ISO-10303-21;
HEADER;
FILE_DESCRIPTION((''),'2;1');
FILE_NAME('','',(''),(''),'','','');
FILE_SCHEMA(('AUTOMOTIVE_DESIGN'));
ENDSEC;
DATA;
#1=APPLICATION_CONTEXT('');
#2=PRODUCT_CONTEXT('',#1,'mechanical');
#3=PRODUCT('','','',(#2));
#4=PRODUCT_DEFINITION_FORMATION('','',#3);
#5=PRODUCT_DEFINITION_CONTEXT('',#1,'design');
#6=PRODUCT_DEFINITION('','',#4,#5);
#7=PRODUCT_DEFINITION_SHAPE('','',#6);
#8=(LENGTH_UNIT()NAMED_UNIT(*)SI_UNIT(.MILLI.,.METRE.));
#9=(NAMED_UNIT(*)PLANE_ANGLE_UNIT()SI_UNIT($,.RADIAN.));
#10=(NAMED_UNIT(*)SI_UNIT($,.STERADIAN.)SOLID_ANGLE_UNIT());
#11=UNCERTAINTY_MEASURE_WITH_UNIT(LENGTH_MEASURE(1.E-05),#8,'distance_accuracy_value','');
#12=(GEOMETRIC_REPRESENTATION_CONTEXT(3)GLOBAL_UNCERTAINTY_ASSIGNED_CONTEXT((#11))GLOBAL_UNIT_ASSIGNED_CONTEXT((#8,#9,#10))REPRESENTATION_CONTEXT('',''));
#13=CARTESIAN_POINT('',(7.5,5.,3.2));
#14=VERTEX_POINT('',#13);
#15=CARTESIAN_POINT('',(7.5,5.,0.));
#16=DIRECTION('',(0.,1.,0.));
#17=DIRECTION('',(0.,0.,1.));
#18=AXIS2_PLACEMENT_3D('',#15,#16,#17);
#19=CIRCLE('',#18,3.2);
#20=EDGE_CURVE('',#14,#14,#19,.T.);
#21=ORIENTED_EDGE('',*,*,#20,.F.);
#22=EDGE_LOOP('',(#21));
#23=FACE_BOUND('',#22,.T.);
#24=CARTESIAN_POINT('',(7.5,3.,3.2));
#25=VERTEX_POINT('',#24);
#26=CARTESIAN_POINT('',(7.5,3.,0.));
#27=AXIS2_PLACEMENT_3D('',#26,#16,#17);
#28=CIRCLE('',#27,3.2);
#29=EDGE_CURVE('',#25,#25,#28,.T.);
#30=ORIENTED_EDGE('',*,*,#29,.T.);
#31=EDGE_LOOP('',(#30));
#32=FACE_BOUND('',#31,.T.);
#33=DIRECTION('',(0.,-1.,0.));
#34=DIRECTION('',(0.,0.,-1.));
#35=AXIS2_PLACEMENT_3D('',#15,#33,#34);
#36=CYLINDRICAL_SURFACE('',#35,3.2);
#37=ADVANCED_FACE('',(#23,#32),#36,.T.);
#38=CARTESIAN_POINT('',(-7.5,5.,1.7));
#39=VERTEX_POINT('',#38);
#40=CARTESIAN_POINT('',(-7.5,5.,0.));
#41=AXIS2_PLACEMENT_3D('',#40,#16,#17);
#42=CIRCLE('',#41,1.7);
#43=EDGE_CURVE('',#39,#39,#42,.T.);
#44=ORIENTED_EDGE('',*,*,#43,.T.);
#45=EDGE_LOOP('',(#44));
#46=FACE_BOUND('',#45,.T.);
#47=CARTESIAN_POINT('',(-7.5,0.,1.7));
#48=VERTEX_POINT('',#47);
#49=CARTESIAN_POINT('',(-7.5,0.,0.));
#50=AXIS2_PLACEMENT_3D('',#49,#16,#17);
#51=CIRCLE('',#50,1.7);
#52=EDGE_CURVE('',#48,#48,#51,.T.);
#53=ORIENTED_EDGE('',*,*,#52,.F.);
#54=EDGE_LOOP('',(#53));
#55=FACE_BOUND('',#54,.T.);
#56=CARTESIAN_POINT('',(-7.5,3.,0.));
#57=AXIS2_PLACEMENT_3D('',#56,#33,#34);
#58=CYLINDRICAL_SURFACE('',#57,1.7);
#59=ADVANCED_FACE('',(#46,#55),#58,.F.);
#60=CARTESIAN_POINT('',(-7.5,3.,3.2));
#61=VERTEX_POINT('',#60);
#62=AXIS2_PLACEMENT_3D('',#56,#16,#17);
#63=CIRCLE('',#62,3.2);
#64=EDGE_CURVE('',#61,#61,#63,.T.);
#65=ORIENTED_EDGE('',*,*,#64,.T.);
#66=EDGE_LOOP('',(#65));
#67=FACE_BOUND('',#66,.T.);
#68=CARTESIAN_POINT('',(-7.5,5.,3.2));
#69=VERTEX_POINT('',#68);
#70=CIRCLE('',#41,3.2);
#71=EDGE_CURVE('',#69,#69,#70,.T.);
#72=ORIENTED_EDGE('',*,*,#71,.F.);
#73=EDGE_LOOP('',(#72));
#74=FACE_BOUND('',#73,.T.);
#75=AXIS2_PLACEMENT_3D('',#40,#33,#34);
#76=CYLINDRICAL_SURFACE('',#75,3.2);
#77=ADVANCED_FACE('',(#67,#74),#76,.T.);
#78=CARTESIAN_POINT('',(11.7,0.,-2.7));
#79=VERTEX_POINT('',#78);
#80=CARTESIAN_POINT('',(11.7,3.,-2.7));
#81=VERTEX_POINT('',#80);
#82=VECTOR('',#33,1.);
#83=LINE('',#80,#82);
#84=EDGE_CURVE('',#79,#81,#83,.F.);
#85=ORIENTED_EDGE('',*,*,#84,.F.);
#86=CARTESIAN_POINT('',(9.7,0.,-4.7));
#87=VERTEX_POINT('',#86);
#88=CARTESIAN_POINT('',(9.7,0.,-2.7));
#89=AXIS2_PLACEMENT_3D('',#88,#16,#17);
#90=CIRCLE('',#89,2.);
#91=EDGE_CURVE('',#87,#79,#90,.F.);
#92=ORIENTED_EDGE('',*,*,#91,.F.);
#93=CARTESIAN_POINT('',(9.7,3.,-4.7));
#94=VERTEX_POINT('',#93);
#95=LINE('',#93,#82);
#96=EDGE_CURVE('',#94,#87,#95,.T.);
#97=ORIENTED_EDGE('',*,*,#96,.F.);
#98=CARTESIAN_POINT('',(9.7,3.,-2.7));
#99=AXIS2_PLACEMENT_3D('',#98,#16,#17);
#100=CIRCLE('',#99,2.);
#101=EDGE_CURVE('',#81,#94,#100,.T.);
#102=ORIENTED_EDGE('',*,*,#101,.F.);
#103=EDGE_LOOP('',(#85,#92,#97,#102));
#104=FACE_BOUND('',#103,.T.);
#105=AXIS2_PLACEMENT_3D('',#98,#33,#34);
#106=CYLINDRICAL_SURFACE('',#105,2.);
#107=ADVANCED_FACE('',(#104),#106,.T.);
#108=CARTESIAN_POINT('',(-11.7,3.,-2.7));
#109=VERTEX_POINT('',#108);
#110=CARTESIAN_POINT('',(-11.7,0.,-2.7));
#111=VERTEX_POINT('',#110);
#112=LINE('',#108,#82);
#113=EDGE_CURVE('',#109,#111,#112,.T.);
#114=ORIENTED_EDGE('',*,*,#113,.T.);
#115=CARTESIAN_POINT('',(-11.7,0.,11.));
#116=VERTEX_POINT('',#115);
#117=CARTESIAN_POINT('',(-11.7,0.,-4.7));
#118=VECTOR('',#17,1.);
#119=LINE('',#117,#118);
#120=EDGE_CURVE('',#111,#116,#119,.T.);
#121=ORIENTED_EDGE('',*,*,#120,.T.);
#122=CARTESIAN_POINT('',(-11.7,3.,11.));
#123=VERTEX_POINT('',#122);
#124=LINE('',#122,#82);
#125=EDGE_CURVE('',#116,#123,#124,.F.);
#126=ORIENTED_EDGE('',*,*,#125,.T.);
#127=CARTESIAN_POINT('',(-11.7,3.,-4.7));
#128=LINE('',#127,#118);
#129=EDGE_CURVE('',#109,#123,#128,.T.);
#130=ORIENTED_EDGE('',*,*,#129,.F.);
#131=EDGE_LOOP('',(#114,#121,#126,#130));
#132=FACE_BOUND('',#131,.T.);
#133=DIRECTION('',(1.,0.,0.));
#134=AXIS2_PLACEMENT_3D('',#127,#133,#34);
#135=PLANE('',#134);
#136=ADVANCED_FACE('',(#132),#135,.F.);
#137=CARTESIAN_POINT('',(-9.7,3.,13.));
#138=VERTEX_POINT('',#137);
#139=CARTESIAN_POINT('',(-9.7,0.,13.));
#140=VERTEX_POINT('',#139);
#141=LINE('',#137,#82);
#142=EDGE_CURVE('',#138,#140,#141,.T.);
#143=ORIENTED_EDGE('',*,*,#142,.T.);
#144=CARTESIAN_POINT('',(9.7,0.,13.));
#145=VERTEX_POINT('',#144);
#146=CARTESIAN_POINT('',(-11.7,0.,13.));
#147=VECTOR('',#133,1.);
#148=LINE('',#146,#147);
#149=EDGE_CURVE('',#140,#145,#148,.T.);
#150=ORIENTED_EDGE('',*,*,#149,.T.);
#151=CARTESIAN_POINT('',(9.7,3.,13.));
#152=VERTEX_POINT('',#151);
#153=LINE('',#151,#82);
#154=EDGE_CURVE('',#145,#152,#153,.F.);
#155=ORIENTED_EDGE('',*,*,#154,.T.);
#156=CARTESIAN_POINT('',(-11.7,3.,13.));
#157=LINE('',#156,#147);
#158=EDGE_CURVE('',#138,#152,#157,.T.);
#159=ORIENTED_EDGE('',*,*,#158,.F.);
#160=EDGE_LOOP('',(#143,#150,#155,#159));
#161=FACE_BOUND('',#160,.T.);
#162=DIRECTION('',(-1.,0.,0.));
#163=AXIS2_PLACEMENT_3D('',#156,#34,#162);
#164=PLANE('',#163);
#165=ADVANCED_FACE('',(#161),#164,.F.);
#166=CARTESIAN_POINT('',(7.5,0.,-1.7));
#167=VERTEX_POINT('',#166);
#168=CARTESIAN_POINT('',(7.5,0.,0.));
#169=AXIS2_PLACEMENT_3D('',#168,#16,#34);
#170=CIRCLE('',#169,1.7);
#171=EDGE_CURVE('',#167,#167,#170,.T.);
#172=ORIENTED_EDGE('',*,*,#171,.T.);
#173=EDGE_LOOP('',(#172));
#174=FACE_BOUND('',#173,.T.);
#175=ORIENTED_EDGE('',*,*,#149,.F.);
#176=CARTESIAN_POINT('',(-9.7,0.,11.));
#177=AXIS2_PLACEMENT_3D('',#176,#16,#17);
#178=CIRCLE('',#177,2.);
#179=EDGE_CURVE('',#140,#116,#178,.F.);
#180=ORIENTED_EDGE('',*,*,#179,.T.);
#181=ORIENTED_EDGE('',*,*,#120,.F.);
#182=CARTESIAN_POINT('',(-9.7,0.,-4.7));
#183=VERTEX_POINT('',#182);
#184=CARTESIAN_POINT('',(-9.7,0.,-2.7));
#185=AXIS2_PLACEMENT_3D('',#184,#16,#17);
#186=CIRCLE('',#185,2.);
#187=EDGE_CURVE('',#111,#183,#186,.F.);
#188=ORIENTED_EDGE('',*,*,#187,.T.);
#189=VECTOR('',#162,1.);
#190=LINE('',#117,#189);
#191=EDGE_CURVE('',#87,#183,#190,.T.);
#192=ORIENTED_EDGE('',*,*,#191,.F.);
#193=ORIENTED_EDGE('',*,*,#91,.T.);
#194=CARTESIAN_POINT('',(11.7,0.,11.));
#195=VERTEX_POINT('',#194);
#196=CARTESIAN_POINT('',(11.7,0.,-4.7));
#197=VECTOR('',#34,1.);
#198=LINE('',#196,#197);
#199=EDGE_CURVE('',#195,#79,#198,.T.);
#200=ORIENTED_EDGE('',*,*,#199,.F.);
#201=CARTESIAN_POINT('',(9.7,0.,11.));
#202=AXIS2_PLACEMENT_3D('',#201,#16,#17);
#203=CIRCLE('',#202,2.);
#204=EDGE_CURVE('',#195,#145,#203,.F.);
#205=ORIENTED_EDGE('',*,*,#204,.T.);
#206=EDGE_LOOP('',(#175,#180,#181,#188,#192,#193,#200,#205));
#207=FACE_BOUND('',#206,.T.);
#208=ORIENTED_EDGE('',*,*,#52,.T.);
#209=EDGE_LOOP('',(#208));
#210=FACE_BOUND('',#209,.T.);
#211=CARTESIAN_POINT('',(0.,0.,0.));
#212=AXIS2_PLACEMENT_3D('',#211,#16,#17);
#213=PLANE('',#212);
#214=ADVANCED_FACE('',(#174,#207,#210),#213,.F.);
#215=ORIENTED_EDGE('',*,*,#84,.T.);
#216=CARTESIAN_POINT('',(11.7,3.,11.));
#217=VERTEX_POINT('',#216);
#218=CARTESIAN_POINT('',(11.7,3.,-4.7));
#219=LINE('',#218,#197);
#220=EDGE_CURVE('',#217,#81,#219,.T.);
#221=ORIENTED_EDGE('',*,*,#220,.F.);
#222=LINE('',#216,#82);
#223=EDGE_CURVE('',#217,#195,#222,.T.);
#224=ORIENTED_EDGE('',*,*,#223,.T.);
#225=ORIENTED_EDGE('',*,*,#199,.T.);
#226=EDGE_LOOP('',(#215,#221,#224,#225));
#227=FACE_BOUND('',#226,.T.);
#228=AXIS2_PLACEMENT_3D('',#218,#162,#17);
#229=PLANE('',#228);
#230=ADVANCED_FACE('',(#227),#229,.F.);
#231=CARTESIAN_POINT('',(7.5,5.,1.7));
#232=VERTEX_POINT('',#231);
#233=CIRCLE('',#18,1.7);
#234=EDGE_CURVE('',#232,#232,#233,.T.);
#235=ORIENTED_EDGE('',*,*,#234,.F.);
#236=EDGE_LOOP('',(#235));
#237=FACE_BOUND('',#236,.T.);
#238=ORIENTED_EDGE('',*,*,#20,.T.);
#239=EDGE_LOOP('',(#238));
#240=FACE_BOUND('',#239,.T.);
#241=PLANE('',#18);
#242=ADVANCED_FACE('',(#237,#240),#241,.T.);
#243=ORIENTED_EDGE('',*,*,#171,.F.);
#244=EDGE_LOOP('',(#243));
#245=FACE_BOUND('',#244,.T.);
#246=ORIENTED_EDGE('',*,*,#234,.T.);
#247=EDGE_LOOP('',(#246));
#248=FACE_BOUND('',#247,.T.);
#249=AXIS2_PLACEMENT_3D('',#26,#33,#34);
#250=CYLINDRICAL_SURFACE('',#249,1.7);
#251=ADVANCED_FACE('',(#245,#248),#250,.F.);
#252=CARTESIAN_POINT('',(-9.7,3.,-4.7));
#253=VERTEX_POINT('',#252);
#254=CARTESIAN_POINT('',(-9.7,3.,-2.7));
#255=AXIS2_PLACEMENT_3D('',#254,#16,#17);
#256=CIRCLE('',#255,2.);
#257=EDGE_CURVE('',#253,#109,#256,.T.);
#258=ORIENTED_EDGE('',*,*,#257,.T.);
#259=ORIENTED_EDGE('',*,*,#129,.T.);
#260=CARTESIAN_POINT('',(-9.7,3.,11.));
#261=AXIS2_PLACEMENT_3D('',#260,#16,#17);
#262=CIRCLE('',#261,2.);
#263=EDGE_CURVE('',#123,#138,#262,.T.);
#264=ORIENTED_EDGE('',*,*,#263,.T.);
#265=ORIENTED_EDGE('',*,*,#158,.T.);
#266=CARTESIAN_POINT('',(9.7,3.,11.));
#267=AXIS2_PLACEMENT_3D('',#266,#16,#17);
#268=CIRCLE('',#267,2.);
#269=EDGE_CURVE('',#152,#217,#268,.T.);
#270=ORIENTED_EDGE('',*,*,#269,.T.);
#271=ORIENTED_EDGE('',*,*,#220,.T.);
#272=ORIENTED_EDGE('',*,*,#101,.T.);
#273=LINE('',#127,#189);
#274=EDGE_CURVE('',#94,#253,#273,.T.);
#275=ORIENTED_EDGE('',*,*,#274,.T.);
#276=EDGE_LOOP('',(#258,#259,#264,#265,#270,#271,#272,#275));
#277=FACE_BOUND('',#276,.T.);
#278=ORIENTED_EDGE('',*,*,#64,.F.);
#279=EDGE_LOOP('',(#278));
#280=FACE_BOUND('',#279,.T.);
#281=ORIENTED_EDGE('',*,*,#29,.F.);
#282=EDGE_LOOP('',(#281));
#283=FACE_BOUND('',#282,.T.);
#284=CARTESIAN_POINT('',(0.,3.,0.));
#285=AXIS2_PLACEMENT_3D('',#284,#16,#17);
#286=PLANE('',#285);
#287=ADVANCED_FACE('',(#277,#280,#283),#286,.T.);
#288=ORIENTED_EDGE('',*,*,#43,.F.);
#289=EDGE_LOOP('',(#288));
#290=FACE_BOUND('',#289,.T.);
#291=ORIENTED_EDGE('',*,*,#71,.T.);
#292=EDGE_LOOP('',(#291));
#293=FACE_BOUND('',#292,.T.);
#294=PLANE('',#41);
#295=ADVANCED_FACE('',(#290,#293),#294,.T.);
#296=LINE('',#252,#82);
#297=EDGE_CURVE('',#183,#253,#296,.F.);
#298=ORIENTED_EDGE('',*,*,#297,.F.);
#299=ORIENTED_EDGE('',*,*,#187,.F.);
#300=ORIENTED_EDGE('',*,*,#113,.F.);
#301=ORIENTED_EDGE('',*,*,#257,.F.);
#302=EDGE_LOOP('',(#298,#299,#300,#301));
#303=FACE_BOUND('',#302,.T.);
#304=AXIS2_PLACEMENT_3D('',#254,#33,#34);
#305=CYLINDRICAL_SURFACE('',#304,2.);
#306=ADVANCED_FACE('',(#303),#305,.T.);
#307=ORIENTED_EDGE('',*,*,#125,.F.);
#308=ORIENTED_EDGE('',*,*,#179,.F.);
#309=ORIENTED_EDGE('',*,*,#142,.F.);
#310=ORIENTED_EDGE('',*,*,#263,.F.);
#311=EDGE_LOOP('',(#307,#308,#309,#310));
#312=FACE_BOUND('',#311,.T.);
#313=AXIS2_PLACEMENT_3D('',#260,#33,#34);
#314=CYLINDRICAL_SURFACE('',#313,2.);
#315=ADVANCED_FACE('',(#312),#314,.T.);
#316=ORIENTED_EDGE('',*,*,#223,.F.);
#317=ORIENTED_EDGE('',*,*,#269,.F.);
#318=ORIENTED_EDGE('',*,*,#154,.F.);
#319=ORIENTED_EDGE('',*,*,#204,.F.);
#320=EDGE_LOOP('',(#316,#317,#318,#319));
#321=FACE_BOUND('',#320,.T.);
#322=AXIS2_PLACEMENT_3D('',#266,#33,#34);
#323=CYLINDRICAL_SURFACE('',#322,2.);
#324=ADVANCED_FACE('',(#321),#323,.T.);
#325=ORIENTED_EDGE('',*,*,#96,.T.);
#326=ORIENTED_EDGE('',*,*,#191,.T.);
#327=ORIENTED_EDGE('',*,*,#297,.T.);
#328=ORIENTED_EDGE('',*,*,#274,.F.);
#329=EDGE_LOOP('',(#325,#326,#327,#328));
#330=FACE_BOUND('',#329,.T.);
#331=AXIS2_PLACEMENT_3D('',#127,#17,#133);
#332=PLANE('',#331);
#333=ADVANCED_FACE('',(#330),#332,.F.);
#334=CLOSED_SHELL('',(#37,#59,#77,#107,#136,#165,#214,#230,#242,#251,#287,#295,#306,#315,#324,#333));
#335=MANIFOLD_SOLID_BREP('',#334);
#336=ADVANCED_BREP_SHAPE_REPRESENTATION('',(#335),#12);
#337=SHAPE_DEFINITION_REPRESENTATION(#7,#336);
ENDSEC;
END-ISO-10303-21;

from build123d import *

# Parameters (mm, degrees)
SKETCH_1_W      = 23.4
SKETCH_1_H      = 17.7
SKETCH_1_R      = 1.7
EXTRUDE_1_DEPTH = 3
SKETCH_2_R      = 3.2
SKETCH_2_R_2    = 1.7
EXTRUDE_2_DEPTH = 2
FILLET_1_R      = 2


with BuildPart() as part:
    # Эскиз1 → Бобышка-Вытянуть1 (new body)
    with BuildSketch(Plane(origin=(0, 0, 0), x_dir=(1, 0, 0), z_dir=(0, 1, 0))):
        with Locations((0, -4.15)):
            Rectangle(SKETCH_1_W, SKETCH_1_H)
        with Locations(Location((-7.5, 0, 0), (0, 0, 270))):
            Circle(SKETCH_1_R, mode=Mode.SUBTRACT)
        with Locations(Location((7.5, 0, 0), (0, 0, 90))):
            Circle(SKETCH_1_R, mode=Mode.SUBTRACT)
    extrude(amount=EXTRUDE_1_DEPTH)

    # Эскиз2 → Бобышка-Вытянуть2 (add)
    # profile 1 of 2: a face of its own
    with BuildSketch(Plane(origin=(0, 3, 0), x_dir=(1, 0, 0), z_dir=(0, 1, 0))):
        with Locations(Location((-7.5, 0, 0), (0, 0, 270))):
            Circle(SKETCH_2_R)
        with Locations(Location((-7.5, 0, 0), (0, 0, 270))):
            Circle(SKETCH_2_R_2, mode=Mode.SUBTRACT)
    # profile 2 of 2: a face of its own
    with BuildSketch(Plane(origin=(0, 3, 0), x_dir=(1, 0, 0), z_dir=(0, 1, 0))):
        with Locations(Location((7.5, 0, 0), (0, 0, 270))):
            Circle(SKETCH_2_R)
        with Locations(Location((7.5, 0, 0), (0, 0, 90))):
            Circle(SKETCH_2_R_2, mode=Mode.SUBTRACT)
    extrude(amount=EXTRUDE_2_DEPTH)

    # Скругление1
    fillet_1_edges = [part.edges().sort_by_distance(p)[0] for p in [
        (-11.7, 1.5, -4.7),
        (11.7, 1.5, -4.7),
        (11.7, 1.5, 13),
        (-11.7, 1.5, 13),
    ]]
    fillet(fillet_1_edges, radius=FILLET_1_R)


solid = part.part
